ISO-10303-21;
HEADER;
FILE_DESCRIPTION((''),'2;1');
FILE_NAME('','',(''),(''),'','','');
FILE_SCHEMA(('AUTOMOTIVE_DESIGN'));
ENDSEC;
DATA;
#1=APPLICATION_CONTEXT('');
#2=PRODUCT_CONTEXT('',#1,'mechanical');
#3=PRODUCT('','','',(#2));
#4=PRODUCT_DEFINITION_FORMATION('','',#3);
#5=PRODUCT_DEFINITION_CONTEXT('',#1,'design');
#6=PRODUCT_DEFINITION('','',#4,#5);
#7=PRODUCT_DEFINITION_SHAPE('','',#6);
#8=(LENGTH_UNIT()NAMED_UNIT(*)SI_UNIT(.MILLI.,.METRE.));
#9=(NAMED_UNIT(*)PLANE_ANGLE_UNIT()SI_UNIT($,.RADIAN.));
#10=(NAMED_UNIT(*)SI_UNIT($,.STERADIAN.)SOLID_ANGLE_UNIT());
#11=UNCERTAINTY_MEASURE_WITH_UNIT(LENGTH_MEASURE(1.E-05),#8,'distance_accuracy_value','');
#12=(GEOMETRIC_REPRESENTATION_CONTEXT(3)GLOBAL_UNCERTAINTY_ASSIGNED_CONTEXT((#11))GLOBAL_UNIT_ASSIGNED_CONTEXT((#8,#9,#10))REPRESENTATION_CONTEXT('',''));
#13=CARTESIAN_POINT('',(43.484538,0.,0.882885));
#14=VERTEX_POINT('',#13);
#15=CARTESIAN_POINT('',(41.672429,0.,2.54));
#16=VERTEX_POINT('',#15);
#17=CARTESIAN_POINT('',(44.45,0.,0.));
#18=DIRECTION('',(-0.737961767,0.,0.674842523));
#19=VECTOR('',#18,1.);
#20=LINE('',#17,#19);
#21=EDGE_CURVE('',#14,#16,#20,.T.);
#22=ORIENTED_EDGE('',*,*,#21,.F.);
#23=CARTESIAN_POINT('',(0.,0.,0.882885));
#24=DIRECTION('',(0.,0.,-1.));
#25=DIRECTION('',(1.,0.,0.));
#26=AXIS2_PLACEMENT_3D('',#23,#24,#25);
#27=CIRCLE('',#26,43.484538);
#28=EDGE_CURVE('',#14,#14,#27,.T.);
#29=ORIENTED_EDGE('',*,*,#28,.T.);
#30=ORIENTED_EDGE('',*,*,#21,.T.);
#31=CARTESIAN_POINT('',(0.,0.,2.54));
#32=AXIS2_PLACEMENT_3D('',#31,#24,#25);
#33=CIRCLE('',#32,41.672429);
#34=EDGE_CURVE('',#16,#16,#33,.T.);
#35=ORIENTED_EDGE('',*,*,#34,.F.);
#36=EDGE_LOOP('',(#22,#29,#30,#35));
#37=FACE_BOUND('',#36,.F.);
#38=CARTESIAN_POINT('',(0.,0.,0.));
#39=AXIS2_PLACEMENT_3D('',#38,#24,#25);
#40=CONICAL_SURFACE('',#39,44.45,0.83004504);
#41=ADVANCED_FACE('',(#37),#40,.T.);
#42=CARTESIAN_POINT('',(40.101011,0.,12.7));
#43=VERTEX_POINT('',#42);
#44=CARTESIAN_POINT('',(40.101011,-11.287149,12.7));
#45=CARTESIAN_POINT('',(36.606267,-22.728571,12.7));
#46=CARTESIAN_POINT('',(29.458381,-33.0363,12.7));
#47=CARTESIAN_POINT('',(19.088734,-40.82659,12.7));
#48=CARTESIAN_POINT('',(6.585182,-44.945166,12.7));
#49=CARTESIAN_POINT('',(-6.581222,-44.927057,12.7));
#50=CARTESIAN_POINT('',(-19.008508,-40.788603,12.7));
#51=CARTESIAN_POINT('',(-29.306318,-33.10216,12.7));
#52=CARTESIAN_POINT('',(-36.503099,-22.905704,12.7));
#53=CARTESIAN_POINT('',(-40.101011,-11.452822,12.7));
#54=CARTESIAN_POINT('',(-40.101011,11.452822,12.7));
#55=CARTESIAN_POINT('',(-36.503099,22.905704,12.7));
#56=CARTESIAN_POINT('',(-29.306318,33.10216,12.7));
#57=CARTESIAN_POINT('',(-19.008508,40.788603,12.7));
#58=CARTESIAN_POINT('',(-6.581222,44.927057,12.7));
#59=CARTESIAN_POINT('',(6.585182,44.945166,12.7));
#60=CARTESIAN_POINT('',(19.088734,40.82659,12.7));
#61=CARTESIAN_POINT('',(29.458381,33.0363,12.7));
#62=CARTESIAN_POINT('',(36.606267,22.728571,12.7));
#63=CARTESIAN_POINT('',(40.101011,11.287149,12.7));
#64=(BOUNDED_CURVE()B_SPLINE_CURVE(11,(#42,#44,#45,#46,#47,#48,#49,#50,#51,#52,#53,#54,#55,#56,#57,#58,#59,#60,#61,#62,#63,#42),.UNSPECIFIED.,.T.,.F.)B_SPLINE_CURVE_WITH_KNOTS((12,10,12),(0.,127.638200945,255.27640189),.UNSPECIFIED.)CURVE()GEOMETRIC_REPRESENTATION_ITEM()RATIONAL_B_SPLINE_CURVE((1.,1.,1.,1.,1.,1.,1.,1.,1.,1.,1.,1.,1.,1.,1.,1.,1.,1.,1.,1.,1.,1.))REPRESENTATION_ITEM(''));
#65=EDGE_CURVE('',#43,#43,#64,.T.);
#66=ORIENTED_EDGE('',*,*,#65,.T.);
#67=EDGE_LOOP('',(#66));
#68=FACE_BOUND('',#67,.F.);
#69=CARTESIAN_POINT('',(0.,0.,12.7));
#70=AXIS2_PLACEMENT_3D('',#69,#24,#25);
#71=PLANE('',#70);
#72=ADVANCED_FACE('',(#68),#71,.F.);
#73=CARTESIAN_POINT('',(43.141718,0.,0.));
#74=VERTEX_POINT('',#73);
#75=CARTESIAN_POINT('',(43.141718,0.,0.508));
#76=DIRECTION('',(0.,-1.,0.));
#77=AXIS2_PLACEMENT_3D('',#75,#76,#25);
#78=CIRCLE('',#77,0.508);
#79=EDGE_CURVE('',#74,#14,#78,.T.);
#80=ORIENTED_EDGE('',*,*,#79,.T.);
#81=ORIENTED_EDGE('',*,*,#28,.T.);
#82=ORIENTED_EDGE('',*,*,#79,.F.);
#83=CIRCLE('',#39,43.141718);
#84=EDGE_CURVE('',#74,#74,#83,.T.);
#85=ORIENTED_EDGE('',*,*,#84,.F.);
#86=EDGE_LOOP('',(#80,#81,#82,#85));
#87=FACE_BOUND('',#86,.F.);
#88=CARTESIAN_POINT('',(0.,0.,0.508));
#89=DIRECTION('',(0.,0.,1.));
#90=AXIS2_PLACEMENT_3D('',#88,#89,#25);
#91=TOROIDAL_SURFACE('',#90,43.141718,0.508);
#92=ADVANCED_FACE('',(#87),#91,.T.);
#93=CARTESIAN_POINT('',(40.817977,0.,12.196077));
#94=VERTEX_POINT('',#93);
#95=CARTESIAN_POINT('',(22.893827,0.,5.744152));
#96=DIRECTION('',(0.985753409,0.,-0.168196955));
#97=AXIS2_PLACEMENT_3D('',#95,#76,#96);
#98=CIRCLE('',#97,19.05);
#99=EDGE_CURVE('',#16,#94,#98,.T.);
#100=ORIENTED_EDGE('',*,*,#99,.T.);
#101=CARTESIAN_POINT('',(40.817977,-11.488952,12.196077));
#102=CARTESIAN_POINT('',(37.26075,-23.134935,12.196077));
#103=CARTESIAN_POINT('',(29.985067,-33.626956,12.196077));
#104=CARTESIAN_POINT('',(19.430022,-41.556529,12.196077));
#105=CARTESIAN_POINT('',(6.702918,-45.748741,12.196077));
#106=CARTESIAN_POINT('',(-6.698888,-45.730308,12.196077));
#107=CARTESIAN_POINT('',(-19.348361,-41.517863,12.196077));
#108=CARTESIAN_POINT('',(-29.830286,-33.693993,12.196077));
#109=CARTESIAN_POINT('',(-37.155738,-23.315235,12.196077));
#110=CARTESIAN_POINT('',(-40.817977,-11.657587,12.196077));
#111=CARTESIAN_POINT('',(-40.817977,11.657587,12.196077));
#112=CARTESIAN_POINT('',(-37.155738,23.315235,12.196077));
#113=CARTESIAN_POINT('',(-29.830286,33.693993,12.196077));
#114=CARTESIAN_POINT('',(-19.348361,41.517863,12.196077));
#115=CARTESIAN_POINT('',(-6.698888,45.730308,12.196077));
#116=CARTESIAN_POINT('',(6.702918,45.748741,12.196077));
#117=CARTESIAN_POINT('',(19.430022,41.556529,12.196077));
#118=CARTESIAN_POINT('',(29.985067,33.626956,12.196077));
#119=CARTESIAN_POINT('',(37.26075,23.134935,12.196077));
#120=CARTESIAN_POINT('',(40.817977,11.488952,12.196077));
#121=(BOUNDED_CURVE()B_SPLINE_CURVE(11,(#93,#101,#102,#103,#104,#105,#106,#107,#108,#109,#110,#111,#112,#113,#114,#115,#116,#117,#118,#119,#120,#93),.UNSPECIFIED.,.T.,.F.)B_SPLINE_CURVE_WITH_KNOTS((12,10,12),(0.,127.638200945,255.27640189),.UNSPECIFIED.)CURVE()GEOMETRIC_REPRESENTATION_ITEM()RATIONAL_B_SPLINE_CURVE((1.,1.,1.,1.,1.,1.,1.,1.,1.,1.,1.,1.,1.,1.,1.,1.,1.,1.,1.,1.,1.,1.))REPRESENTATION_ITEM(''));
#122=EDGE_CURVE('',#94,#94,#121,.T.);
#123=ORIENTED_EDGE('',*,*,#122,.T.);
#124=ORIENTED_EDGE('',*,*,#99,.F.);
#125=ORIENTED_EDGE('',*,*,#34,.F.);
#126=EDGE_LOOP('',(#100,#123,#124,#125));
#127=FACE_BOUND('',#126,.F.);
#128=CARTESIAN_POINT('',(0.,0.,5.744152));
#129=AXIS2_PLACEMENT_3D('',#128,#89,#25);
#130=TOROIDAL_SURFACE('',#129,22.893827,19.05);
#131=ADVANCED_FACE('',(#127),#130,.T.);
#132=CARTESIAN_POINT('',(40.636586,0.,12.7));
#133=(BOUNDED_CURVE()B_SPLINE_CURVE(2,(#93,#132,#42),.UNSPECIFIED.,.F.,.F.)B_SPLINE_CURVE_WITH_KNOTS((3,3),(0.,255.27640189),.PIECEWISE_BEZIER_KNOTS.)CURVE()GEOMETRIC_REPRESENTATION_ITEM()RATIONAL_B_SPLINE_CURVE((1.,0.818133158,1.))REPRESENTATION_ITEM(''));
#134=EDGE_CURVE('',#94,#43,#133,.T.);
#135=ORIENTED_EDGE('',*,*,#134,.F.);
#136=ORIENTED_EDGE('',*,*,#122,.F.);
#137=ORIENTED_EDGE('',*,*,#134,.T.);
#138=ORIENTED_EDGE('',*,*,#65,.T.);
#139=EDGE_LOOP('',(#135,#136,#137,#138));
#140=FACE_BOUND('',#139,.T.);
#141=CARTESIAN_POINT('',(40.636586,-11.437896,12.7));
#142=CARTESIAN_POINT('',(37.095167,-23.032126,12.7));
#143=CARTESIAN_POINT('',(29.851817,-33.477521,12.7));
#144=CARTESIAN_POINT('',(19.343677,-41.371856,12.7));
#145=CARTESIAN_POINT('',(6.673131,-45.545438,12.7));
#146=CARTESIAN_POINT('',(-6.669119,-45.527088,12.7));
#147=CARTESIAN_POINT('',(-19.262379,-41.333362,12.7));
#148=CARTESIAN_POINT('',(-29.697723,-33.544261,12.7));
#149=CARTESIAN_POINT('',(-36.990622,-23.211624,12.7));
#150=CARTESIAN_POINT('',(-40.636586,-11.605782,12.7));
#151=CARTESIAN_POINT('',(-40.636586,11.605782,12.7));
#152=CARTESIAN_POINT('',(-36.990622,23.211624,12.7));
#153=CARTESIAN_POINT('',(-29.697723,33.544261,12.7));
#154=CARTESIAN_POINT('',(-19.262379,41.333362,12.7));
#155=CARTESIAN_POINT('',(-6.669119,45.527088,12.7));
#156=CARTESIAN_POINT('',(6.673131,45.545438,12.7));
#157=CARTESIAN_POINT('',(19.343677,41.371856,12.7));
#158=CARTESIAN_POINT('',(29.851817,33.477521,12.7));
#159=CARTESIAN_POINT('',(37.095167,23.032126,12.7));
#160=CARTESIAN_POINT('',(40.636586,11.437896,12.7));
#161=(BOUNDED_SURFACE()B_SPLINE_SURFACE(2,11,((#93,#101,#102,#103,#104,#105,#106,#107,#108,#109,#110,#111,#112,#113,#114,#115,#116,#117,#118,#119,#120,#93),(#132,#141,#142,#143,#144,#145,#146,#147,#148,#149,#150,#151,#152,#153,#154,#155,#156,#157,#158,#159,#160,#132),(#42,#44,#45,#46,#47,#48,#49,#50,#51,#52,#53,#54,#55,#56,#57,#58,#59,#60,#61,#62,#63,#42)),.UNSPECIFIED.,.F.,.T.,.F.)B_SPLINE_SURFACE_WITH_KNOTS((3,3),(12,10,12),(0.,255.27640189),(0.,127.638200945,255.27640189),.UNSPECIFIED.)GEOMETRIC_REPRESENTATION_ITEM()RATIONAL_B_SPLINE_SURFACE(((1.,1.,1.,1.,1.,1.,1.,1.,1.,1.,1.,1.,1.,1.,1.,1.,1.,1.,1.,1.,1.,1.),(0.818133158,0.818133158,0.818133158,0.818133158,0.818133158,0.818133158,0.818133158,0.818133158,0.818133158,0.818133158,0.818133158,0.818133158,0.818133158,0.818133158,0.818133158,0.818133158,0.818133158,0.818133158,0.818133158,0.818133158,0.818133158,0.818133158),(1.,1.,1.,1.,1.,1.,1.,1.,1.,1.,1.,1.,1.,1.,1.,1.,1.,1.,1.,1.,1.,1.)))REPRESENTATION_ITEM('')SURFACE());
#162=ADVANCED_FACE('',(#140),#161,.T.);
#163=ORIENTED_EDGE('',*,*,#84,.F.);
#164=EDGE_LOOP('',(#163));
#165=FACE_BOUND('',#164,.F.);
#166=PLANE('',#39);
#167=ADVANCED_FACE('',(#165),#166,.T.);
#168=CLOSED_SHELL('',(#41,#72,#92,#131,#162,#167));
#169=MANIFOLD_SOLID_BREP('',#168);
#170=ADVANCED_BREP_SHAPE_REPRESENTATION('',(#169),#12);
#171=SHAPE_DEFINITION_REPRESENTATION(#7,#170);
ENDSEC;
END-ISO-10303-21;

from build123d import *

# Parameters (mm, degrees)
F2_R = 0.508
F3_R = 0.762


with BuildPart() as f1:
    # F0 (on Front) → F1 (revolve)
    with BuildSketch(Plane.XZ):
        with BuildLine():
            Line((40.6285012155, 12.7), (0, 12.7))
            Line((0, 12.7), (0, 0))
            Line((0, 0), (44.45, 0))
            Line((44.45, 0), (41.672429197, 2.54))
            ThreePointArc((41.672429197, 2.54), (41.8440575591, 7.6912657938), (40.6285012155, 12.7))
        make_face()
    revolve(axis=Axis((0, 0, 5.215363577), (0, 0, -1)))

    # F2
    f2_edges = [f1.edges().sort_by_distance(p)[0] for p in [
        (-44.45, 0, 0),
    ]]
    fillet(f2_edges, radius=F2_R)

    # F3
    f3_edges = [f1.edges().sort_by_distance(p)[0] for p in [
        (-40.628501, 0, 12.7),
    ]]
    fillet(f3_edges, radius=F3_R)


solid = f1.part
